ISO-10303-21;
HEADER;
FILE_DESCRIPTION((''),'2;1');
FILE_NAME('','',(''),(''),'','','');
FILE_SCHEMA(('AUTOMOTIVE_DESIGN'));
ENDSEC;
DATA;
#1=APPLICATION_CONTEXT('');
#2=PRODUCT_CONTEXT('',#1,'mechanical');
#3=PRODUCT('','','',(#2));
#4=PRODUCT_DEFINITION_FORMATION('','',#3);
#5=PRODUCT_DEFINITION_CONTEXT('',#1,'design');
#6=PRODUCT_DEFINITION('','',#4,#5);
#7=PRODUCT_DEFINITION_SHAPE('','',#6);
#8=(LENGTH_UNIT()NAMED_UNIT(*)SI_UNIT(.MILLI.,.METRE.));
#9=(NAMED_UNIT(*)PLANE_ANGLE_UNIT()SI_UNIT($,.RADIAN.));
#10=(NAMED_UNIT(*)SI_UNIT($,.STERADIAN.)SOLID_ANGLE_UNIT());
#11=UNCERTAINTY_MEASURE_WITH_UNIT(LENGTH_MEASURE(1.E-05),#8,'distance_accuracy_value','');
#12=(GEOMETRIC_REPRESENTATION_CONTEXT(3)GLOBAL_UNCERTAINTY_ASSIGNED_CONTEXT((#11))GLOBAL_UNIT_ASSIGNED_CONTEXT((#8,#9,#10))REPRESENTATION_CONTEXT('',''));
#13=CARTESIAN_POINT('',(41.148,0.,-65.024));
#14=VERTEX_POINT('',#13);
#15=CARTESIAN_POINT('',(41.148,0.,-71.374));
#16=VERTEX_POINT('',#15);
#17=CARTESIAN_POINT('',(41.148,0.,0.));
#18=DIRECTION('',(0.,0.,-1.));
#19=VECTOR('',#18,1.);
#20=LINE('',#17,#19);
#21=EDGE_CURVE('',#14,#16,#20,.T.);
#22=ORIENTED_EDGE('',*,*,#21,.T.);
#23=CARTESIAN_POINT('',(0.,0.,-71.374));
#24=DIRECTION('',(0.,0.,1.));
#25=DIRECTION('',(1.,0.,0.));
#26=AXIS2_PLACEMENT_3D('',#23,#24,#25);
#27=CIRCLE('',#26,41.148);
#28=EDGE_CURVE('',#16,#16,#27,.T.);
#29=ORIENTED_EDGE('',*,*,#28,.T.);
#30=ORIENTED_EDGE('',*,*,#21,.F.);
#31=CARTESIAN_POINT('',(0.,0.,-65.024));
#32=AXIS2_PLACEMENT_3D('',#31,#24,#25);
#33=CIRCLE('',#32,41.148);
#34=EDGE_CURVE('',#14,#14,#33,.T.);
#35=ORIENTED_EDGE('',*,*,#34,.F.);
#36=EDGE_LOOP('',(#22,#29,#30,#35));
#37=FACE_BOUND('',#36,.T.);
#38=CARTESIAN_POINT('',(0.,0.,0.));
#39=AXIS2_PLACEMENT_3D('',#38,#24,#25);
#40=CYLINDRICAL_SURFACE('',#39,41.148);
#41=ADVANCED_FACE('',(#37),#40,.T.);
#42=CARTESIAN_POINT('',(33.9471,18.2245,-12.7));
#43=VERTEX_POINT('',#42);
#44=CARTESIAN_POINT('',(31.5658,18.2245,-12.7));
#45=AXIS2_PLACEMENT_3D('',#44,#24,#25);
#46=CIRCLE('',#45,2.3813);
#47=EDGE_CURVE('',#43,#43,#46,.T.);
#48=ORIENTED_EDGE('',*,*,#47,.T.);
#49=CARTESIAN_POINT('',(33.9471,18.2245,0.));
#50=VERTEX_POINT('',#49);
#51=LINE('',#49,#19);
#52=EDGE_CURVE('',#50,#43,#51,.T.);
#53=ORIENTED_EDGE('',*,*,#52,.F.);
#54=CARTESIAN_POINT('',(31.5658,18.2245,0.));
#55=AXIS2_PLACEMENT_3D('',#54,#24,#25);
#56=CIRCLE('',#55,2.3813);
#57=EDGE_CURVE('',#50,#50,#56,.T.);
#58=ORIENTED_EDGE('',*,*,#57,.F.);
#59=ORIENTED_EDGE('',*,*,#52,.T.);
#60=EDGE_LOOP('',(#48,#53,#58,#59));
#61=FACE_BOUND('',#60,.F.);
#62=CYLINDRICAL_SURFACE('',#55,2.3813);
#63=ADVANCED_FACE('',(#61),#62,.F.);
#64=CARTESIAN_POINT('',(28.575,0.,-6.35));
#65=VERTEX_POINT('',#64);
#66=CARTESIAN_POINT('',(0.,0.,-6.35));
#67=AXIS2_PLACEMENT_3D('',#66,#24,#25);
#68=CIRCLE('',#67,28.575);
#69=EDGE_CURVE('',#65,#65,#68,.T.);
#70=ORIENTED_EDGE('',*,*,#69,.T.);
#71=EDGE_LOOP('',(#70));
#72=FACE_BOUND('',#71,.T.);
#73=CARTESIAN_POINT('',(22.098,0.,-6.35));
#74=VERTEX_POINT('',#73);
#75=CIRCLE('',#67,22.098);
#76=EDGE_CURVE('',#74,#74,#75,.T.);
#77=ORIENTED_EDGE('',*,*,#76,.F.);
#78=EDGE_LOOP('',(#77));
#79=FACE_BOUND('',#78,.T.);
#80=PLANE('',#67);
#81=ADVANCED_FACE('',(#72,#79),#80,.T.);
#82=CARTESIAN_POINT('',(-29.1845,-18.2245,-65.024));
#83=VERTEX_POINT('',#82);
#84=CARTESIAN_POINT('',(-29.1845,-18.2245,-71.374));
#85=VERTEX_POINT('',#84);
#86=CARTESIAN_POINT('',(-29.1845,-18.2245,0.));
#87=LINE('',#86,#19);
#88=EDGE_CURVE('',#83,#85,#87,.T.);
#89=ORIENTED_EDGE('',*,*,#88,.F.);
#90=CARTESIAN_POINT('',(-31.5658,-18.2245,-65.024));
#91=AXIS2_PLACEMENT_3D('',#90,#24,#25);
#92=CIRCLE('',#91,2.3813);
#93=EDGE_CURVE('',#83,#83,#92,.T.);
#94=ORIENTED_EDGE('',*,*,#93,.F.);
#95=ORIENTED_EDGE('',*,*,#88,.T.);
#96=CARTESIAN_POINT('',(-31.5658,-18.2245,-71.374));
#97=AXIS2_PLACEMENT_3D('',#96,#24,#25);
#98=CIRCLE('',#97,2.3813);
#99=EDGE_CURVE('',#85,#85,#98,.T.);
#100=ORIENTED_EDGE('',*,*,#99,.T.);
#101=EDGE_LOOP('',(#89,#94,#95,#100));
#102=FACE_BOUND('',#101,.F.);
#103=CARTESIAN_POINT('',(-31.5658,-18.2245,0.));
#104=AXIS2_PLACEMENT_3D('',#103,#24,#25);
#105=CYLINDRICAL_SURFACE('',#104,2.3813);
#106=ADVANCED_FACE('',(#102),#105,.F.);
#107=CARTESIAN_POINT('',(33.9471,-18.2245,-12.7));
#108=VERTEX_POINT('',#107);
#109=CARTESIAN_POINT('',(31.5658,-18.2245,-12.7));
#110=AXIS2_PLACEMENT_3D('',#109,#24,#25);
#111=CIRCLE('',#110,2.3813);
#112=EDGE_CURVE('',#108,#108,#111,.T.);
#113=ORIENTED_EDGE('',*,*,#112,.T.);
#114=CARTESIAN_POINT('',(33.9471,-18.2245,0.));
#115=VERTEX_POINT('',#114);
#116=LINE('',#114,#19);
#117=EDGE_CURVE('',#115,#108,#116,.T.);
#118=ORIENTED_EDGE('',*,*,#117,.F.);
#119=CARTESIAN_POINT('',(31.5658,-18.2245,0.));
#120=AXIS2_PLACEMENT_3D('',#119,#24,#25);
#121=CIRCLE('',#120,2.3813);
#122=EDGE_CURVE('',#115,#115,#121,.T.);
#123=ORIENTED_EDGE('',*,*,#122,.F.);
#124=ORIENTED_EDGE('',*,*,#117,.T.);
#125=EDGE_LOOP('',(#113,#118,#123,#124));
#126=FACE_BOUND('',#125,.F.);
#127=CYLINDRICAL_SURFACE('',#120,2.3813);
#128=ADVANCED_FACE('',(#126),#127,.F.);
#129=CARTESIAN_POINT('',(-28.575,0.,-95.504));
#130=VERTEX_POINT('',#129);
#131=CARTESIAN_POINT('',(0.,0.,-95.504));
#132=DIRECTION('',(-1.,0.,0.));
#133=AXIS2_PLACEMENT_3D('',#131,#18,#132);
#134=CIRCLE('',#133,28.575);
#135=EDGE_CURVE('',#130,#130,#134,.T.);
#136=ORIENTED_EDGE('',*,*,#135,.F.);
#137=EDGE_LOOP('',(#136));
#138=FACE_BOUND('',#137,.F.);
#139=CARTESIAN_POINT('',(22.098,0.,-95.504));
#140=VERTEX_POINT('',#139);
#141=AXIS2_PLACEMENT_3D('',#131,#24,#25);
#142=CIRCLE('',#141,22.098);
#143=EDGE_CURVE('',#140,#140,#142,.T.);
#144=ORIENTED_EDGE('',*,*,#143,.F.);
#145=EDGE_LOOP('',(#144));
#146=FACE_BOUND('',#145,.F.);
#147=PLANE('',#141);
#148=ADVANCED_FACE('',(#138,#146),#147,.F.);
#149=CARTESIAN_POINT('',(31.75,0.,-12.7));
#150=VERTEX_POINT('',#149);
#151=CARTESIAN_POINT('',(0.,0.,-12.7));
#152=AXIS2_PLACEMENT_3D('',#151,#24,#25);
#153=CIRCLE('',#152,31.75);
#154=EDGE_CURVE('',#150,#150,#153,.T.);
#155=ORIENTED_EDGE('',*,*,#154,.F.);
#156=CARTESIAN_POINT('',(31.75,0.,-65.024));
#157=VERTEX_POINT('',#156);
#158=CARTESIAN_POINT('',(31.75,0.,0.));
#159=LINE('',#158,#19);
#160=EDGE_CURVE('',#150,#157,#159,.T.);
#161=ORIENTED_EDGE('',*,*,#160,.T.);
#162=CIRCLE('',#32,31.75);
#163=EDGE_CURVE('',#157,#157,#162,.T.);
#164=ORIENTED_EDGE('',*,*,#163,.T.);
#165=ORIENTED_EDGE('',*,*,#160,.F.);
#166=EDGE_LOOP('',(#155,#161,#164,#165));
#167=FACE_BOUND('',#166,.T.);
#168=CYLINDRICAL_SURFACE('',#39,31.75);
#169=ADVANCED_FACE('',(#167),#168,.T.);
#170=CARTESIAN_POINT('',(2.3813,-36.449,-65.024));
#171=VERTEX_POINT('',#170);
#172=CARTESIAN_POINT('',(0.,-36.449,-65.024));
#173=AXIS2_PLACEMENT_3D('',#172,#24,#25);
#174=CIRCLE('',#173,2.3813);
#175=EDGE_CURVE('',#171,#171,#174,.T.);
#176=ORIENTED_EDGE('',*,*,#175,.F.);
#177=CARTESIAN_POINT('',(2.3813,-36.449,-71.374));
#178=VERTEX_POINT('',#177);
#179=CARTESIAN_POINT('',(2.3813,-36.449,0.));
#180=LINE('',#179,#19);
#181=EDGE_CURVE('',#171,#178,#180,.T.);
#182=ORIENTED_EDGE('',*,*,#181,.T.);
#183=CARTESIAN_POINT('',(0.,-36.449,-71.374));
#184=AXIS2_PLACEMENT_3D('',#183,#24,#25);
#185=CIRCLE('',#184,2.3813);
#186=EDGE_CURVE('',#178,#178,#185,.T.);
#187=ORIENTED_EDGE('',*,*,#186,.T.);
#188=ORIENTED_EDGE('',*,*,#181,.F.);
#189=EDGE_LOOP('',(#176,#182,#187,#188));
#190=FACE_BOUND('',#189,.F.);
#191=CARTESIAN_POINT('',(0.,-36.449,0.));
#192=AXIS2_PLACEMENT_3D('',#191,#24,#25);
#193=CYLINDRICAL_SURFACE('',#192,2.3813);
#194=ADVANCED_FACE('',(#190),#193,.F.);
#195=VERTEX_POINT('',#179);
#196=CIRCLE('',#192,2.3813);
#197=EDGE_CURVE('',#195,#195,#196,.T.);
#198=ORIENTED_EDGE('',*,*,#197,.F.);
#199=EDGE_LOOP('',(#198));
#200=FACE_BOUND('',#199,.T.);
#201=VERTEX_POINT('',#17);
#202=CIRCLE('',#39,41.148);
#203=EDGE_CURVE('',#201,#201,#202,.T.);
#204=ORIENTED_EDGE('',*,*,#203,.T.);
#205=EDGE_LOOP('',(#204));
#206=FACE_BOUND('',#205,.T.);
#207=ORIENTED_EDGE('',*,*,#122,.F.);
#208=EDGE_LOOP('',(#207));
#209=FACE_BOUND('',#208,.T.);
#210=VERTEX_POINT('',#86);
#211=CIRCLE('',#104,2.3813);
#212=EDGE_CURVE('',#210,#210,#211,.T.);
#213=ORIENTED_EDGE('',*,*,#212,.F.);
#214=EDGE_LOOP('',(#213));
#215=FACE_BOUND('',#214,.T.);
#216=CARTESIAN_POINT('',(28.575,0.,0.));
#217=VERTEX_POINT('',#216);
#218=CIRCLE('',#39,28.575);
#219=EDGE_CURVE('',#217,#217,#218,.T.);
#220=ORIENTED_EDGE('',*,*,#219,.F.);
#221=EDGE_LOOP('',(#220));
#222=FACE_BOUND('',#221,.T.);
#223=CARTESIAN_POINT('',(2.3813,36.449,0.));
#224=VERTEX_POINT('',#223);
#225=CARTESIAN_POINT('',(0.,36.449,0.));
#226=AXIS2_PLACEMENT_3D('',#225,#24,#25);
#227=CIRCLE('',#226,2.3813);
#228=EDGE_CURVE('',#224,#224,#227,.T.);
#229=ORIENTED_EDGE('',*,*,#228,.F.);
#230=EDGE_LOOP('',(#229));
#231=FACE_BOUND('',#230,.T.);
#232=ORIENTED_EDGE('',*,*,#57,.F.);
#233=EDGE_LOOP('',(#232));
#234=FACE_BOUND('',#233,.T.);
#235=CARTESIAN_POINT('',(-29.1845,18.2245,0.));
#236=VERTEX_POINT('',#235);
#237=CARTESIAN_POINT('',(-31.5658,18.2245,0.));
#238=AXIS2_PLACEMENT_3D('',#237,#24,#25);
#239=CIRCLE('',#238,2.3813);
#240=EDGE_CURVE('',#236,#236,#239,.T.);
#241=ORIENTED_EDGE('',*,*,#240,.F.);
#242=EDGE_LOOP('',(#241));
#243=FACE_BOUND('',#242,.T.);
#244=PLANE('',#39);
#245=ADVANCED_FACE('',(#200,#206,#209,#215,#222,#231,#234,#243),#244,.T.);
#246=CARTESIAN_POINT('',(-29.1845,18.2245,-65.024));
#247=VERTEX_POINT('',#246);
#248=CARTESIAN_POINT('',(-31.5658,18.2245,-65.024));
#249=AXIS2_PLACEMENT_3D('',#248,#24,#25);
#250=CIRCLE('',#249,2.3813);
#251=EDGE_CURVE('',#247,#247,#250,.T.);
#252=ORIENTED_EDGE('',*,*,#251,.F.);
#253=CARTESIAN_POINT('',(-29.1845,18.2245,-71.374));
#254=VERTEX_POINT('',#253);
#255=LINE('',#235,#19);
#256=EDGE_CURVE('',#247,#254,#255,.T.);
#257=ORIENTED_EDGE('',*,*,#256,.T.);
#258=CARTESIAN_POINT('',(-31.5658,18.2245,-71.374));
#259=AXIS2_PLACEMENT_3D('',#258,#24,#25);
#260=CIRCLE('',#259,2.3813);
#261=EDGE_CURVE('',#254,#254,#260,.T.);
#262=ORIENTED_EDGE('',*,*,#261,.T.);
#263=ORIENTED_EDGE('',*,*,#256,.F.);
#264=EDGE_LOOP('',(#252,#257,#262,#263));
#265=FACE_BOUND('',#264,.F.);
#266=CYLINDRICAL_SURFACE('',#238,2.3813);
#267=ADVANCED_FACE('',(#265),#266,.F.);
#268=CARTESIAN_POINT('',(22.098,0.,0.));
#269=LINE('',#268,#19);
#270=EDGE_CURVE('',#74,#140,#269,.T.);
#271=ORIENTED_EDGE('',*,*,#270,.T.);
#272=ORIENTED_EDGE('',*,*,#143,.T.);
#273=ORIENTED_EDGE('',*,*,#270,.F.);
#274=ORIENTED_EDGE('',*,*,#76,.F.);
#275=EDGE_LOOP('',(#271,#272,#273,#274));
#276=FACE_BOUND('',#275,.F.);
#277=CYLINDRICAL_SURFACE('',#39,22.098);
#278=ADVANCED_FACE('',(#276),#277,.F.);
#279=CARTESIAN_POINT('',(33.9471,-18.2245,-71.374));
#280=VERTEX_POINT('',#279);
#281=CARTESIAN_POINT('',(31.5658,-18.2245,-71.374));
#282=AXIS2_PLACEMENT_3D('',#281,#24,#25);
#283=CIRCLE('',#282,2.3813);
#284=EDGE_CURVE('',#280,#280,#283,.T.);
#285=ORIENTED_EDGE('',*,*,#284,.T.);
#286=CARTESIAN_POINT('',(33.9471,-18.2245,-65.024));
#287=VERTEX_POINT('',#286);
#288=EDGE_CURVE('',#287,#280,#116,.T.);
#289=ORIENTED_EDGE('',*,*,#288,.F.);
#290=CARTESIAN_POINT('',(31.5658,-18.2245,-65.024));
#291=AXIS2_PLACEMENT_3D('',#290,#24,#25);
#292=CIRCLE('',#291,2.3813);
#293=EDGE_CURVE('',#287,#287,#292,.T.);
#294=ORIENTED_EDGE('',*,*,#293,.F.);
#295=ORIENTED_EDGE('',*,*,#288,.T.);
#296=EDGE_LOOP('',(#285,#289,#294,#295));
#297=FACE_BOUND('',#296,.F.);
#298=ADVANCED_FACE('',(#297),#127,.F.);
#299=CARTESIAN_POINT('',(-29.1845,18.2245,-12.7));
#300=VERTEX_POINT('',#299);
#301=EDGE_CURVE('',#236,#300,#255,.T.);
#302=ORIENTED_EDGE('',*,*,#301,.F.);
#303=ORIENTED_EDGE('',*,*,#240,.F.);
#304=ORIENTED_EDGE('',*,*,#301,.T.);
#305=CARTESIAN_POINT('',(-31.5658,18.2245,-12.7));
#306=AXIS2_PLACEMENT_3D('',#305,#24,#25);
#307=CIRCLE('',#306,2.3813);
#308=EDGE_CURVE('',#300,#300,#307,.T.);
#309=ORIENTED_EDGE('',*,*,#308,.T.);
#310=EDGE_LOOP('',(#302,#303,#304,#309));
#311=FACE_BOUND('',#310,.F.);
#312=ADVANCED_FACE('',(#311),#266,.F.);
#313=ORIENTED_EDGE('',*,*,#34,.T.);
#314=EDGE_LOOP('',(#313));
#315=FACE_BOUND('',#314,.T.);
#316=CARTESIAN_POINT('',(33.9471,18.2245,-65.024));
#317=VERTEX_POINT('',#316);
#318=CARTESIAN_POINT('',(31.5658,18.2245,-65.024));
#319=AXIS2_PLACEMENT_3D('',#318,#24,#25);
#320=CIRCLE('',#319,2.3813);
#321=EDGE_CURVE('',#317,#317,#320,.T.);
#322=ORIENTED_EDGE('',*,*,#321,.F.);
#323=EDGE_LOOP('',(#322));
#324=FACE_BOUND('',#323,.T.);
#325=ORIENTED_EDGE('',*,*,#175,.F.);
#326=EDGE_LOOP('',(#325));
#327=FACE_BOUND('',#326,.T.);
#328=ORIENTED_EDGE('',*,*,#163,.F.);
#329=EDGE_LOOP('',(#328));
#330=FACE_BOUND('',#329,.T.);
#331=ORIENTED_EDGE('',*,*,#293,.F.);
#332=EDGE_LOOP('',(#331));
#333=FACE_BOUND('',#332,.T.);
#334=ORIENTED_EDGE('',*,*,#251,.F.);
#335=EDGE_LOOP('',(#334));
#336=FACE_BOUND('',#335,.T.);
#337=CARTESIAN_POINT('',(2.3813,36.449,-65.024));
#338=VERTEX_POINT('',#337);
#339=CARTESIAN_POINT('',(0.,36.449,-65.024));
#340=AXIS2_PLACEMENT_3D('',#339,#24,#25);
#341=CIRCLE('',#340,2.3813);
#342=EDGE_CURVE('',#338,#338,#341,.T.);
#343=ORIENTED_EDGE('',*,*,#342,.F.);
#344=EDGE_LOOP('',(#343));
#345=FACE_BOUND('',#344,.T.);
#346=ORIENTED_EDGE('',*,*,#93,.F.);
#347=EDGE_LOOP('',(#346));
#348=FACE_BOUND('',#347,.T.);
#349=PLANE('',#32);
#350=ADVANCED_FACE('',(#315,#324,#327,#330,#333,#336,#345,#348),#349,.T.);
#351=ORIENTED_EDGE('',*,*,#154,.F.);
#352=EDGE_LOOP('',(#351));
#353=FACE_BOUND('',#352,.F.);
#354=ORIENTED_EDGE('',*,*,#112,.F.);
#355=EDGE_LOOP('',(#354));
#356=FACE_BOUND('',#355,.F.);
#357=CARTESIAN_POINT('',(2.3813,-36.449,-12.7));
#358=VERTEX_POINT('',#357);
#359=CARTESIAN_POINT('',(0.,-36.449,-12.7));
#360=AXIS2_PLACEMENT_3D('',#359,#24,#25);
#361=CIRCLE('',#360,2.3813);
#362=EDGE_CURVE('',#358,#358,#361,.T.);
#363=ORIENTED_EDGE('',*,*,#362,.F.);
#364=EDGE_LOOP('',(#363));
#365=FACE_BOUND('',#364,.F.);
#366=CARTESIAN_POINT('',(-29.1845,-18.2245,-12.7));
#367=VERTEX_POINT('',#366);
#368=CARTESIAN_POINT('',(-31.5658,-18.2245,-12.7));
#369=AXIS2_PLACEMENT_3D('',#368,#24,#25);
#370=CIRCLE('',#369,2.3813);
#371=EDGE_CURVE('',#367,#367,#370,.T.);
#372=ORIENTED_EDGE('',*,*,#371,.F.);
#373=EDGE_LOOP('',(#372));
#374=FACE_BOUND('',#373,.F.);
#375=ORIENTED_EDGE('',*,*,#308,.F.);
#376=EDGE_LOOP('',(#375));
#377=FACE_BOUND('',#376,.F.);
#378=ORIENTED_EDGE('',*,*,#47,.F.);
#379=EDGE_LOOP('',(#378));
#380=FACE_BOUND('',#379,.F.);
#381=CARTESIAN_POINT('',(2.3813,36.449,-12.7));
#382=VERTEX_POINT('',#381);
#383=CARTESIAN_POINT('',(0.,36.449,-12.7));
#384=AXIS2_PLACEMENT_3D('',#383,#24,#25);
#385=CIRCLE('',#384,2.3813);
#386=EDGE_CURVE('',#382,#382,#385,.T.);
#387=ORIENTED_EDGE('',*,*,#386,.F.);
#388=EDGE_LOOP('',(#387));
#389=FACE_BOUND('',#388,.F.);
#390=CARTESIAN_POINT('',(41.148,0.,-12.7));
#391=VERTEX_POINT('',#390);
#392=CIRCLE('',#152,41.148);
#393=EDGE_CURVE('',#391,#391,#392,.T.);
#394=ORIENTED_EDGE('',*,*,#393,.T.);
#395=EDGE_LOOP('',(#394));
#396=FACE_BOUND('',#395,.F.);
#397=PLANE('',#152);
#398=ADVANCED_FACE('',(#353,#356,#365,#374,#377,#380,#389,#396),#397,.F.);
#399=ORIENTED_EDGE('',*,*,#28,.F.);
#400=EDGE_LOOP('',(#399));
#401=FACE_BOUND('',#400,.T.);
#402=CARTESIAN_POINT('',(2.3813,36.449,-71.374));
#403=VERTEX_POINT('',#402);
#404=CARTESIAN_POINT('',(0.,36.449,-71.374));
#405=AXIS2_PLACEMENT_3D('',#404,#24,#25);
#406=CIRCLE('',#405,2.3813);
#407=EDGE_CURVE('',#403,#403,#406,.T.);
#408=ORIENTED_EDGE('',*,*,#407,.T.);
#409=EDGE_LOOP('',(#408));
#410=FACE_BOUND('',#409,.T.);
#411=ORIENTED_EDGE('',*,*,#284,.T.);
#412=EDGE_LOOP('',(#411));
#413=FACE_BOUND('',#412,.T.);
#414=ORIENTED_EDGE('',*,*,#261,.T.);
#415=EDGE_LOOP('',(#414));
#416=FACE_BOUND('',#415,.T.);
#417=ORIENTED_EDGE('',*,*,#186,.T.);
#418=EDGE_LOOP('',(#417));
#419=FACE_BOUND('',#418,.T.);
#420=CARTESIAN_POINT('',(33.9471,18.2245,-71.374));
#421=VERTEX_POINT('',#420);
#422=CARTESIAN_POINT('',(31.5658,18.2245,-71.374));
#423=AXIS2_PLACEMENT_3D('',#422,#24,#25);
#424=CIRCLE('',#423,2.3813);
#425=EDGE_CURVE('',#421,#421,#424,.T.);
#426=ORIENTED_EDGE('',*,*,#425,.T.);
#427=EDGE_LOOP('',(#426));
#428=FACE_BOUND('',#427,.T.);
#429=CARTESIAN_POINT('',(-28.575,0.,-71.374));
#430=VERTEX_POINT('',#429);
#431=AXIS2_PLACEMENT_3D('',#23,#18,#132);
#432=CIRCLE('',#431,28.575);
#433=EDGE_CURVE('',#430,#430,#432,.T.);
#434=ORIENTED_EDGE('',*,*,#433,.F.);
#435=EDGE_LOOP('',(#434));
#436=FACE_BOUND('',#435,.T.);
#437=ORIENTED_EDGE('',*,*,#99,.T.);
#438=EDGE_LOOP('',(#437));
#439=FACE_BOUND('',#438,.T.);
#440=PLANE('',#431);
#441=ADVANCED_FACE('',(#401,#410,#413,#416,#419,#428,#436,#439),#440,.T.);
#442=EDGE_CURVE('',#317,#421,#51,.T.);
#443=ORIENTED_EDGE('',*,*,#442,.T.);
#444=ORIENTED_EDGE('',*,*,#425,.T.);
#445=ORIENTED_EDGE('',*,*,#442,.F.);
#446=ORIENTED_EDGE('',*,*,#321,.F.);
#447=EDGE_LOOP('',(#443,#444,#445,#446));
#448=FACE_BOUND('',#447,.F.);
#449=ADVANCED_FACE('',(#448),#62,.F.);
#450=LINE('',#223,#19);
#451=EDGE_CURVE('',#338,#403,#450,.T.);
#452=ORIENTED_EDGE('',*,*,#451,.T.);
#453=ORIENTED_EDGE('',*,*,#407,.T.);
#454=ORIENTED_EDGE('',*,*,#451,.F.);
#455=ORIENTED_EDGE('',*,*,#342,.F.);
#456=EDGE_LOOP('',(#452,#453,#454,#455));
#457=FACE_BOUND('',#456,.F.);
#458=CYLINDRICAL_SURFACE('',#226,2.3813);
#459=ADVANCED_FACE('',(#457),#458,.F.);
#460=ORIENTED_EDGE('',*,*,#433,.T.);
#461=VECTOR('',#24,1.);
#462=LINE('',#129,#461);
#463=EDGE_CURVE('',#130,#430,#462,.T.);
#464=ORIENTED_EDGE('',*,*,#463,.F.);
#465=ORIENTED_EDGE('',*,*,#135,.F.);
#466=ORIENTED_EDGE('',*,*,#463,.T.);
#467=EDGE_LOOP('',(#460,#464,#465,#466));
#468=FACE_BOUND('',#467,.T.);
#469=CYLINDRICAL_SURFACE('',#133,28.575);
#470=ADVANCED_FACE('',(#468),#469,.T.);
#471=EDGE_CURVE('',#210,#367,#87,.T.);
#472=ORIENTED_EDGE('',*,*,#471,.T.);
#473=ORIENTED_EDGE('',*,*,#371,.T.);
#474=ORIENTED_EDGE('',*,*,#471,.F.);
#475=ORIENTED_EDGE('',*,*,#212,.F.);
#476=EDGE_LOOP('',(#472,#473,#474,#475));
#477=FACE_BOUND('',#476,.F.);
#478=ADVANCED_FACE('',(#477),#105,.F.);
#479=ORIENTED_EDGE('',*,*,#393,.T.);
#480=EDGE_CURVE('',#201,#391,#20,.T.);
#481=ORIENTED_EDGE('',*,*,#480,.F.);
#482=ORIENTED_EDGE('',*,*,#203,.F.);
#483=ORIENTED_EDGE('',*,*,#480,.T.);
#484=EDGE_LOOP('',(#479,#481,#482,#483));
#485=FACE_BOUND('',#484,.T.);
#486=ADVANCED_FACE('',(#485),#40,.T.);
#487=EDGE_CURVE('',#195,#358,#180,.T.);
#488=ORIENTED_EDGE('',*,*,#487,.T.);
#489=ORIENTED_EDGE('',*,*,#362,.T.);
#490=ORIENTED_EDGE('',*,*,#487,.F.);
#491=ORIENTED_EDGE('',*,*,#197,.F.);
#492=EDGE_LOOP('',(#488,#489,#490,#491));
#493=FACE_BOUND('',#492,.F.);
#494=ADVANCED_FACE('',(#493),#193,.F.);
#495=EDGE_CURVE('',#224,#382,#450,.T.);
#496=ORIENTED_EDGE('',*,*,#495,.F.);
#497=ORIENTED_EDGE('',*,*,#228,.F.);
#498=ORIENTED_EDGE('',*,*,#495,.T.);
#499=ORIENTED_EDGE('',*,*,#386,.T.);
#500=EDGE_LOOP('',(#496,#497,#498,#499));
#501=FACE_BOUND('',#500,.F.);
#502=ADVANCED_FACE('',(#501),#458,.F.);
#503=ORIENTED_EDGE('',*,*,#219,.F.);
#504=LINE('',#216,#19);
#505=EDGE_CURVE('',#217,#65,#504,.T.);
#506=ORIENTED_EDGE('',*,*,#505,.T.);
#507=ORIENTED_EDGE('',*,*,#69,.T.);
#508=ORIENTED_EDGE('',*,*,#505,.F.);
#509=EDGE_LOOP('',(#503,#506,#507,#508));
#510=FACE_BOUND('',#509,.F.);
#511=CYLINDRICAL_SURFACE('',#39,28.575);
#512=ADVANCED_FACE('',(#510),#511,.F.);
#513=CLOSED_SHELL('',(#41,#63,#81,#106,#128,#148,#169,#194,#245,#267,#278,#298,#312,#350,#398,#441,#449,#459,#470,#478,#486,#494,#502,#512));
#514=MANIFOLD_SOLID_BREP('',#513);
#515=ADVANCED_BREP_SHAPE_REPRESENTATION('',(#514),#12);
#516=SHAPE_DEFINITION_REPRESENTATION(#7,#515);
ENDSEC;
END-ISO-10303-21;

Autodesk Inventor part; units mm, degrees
ref_plane "YZ Plane" through (0, 0, 0) normal (1, 0, 0) x (0, 1, 0)
ref_plane "XZ Plane" through (0, 0, 0) normal (0, 1, 0) x (-1, 0, 0)
ref_plane "XY Plane" through (0, 0, 0) normal (0, 0, 1) x (1, 0, 0)
sketch "Sketch1" plane through (0, 0, 0) normal (0, 0, 1) x (1, 0, 0)
  circle A0 centre (0, 0) radius 41.148
  dimension "d0" = 82.296
extrude "Extrusion1" add sketch "Sketch1" against normal blind 95.504
sketch "Sketch2" plane through (0, 0, 0) normal (0, 0, 1) x (1, 0, 0)
  circle A0 centre (0, 0) radius 22.098
  dimension "d3" = 44.196
extrude "Extrusion2" cut sketch "Sketch2" against normal blind 95.504
sketch "Sketch3" plane through (0, 0, -95.504) normal (0, 0, -1) x (-1, 0, 0)
  circle A0 centre (0, 0) radius 41.148
  circle A1 centre (0, 0) radius 28.575
  dimension "d6" = 57.15
extrude "Extrusion3" cut sketch "Sketch3" against normal blind 24.13
sketch "Sketch4" plane through (0, 0, 0) normal (0, 0, 1) x (1, 0, 0)
  circle A0 centre (0, 0) radius 22.098
  circle A1 centre (0, 0) radius 28.575
  dimension "d9" = 57.15
extrude "Extrusion4" cut sketch "Sketch4" against normal blind 6.35
sketch "Sketch5" plane through (0, 0, 0) normal (0, 0, 1) x (1, 0, 0)
  circle A0 centre (0, 0) radius 41.148
  circle A1 centre (0, 0) radius 31.75
  dimension "d12" = 63.5
extrude "Extrusion5" cut sketch "Sketch5" against normal blind 65.024
sketch "Sketch6" plane through (0, 0, 0) normal (0, 0, 1) x (1, 0, 0)
  circle A0 centre (0, 0) radius 31.75
  circle A1 centre (0, 0) radius 41.148
extrude "Extrusion6" add sketch "Sketch6" against normal blind 12.7
sketch "Sketch7" plane through (0, 0, 0) normal (0, 0, 1) x (1, 0, 0)
  circle A0 centre (0, 36.449) radius 2.3813
  circle A1 centre (-31.5658, 18.2245) radius 2.3813
  circle A2 centre (-31.5658, -18.2245) radius 2.3813
  circle A3 centre (0, -36.449) radius 2.3813
  circle A4 centre (31.5658, -18.2245) radius 2.3813
  circle A5 centre (31.5658, 18.2245) radius 2.3813
  point P0 (0, 0)
  dimension "d17" = 4.7625
  dimension "d20" = 360
extrude "Extrusion7" cut sketch "Sketch7" against normal blind 152.4
properties part number "PostComb4_4"
